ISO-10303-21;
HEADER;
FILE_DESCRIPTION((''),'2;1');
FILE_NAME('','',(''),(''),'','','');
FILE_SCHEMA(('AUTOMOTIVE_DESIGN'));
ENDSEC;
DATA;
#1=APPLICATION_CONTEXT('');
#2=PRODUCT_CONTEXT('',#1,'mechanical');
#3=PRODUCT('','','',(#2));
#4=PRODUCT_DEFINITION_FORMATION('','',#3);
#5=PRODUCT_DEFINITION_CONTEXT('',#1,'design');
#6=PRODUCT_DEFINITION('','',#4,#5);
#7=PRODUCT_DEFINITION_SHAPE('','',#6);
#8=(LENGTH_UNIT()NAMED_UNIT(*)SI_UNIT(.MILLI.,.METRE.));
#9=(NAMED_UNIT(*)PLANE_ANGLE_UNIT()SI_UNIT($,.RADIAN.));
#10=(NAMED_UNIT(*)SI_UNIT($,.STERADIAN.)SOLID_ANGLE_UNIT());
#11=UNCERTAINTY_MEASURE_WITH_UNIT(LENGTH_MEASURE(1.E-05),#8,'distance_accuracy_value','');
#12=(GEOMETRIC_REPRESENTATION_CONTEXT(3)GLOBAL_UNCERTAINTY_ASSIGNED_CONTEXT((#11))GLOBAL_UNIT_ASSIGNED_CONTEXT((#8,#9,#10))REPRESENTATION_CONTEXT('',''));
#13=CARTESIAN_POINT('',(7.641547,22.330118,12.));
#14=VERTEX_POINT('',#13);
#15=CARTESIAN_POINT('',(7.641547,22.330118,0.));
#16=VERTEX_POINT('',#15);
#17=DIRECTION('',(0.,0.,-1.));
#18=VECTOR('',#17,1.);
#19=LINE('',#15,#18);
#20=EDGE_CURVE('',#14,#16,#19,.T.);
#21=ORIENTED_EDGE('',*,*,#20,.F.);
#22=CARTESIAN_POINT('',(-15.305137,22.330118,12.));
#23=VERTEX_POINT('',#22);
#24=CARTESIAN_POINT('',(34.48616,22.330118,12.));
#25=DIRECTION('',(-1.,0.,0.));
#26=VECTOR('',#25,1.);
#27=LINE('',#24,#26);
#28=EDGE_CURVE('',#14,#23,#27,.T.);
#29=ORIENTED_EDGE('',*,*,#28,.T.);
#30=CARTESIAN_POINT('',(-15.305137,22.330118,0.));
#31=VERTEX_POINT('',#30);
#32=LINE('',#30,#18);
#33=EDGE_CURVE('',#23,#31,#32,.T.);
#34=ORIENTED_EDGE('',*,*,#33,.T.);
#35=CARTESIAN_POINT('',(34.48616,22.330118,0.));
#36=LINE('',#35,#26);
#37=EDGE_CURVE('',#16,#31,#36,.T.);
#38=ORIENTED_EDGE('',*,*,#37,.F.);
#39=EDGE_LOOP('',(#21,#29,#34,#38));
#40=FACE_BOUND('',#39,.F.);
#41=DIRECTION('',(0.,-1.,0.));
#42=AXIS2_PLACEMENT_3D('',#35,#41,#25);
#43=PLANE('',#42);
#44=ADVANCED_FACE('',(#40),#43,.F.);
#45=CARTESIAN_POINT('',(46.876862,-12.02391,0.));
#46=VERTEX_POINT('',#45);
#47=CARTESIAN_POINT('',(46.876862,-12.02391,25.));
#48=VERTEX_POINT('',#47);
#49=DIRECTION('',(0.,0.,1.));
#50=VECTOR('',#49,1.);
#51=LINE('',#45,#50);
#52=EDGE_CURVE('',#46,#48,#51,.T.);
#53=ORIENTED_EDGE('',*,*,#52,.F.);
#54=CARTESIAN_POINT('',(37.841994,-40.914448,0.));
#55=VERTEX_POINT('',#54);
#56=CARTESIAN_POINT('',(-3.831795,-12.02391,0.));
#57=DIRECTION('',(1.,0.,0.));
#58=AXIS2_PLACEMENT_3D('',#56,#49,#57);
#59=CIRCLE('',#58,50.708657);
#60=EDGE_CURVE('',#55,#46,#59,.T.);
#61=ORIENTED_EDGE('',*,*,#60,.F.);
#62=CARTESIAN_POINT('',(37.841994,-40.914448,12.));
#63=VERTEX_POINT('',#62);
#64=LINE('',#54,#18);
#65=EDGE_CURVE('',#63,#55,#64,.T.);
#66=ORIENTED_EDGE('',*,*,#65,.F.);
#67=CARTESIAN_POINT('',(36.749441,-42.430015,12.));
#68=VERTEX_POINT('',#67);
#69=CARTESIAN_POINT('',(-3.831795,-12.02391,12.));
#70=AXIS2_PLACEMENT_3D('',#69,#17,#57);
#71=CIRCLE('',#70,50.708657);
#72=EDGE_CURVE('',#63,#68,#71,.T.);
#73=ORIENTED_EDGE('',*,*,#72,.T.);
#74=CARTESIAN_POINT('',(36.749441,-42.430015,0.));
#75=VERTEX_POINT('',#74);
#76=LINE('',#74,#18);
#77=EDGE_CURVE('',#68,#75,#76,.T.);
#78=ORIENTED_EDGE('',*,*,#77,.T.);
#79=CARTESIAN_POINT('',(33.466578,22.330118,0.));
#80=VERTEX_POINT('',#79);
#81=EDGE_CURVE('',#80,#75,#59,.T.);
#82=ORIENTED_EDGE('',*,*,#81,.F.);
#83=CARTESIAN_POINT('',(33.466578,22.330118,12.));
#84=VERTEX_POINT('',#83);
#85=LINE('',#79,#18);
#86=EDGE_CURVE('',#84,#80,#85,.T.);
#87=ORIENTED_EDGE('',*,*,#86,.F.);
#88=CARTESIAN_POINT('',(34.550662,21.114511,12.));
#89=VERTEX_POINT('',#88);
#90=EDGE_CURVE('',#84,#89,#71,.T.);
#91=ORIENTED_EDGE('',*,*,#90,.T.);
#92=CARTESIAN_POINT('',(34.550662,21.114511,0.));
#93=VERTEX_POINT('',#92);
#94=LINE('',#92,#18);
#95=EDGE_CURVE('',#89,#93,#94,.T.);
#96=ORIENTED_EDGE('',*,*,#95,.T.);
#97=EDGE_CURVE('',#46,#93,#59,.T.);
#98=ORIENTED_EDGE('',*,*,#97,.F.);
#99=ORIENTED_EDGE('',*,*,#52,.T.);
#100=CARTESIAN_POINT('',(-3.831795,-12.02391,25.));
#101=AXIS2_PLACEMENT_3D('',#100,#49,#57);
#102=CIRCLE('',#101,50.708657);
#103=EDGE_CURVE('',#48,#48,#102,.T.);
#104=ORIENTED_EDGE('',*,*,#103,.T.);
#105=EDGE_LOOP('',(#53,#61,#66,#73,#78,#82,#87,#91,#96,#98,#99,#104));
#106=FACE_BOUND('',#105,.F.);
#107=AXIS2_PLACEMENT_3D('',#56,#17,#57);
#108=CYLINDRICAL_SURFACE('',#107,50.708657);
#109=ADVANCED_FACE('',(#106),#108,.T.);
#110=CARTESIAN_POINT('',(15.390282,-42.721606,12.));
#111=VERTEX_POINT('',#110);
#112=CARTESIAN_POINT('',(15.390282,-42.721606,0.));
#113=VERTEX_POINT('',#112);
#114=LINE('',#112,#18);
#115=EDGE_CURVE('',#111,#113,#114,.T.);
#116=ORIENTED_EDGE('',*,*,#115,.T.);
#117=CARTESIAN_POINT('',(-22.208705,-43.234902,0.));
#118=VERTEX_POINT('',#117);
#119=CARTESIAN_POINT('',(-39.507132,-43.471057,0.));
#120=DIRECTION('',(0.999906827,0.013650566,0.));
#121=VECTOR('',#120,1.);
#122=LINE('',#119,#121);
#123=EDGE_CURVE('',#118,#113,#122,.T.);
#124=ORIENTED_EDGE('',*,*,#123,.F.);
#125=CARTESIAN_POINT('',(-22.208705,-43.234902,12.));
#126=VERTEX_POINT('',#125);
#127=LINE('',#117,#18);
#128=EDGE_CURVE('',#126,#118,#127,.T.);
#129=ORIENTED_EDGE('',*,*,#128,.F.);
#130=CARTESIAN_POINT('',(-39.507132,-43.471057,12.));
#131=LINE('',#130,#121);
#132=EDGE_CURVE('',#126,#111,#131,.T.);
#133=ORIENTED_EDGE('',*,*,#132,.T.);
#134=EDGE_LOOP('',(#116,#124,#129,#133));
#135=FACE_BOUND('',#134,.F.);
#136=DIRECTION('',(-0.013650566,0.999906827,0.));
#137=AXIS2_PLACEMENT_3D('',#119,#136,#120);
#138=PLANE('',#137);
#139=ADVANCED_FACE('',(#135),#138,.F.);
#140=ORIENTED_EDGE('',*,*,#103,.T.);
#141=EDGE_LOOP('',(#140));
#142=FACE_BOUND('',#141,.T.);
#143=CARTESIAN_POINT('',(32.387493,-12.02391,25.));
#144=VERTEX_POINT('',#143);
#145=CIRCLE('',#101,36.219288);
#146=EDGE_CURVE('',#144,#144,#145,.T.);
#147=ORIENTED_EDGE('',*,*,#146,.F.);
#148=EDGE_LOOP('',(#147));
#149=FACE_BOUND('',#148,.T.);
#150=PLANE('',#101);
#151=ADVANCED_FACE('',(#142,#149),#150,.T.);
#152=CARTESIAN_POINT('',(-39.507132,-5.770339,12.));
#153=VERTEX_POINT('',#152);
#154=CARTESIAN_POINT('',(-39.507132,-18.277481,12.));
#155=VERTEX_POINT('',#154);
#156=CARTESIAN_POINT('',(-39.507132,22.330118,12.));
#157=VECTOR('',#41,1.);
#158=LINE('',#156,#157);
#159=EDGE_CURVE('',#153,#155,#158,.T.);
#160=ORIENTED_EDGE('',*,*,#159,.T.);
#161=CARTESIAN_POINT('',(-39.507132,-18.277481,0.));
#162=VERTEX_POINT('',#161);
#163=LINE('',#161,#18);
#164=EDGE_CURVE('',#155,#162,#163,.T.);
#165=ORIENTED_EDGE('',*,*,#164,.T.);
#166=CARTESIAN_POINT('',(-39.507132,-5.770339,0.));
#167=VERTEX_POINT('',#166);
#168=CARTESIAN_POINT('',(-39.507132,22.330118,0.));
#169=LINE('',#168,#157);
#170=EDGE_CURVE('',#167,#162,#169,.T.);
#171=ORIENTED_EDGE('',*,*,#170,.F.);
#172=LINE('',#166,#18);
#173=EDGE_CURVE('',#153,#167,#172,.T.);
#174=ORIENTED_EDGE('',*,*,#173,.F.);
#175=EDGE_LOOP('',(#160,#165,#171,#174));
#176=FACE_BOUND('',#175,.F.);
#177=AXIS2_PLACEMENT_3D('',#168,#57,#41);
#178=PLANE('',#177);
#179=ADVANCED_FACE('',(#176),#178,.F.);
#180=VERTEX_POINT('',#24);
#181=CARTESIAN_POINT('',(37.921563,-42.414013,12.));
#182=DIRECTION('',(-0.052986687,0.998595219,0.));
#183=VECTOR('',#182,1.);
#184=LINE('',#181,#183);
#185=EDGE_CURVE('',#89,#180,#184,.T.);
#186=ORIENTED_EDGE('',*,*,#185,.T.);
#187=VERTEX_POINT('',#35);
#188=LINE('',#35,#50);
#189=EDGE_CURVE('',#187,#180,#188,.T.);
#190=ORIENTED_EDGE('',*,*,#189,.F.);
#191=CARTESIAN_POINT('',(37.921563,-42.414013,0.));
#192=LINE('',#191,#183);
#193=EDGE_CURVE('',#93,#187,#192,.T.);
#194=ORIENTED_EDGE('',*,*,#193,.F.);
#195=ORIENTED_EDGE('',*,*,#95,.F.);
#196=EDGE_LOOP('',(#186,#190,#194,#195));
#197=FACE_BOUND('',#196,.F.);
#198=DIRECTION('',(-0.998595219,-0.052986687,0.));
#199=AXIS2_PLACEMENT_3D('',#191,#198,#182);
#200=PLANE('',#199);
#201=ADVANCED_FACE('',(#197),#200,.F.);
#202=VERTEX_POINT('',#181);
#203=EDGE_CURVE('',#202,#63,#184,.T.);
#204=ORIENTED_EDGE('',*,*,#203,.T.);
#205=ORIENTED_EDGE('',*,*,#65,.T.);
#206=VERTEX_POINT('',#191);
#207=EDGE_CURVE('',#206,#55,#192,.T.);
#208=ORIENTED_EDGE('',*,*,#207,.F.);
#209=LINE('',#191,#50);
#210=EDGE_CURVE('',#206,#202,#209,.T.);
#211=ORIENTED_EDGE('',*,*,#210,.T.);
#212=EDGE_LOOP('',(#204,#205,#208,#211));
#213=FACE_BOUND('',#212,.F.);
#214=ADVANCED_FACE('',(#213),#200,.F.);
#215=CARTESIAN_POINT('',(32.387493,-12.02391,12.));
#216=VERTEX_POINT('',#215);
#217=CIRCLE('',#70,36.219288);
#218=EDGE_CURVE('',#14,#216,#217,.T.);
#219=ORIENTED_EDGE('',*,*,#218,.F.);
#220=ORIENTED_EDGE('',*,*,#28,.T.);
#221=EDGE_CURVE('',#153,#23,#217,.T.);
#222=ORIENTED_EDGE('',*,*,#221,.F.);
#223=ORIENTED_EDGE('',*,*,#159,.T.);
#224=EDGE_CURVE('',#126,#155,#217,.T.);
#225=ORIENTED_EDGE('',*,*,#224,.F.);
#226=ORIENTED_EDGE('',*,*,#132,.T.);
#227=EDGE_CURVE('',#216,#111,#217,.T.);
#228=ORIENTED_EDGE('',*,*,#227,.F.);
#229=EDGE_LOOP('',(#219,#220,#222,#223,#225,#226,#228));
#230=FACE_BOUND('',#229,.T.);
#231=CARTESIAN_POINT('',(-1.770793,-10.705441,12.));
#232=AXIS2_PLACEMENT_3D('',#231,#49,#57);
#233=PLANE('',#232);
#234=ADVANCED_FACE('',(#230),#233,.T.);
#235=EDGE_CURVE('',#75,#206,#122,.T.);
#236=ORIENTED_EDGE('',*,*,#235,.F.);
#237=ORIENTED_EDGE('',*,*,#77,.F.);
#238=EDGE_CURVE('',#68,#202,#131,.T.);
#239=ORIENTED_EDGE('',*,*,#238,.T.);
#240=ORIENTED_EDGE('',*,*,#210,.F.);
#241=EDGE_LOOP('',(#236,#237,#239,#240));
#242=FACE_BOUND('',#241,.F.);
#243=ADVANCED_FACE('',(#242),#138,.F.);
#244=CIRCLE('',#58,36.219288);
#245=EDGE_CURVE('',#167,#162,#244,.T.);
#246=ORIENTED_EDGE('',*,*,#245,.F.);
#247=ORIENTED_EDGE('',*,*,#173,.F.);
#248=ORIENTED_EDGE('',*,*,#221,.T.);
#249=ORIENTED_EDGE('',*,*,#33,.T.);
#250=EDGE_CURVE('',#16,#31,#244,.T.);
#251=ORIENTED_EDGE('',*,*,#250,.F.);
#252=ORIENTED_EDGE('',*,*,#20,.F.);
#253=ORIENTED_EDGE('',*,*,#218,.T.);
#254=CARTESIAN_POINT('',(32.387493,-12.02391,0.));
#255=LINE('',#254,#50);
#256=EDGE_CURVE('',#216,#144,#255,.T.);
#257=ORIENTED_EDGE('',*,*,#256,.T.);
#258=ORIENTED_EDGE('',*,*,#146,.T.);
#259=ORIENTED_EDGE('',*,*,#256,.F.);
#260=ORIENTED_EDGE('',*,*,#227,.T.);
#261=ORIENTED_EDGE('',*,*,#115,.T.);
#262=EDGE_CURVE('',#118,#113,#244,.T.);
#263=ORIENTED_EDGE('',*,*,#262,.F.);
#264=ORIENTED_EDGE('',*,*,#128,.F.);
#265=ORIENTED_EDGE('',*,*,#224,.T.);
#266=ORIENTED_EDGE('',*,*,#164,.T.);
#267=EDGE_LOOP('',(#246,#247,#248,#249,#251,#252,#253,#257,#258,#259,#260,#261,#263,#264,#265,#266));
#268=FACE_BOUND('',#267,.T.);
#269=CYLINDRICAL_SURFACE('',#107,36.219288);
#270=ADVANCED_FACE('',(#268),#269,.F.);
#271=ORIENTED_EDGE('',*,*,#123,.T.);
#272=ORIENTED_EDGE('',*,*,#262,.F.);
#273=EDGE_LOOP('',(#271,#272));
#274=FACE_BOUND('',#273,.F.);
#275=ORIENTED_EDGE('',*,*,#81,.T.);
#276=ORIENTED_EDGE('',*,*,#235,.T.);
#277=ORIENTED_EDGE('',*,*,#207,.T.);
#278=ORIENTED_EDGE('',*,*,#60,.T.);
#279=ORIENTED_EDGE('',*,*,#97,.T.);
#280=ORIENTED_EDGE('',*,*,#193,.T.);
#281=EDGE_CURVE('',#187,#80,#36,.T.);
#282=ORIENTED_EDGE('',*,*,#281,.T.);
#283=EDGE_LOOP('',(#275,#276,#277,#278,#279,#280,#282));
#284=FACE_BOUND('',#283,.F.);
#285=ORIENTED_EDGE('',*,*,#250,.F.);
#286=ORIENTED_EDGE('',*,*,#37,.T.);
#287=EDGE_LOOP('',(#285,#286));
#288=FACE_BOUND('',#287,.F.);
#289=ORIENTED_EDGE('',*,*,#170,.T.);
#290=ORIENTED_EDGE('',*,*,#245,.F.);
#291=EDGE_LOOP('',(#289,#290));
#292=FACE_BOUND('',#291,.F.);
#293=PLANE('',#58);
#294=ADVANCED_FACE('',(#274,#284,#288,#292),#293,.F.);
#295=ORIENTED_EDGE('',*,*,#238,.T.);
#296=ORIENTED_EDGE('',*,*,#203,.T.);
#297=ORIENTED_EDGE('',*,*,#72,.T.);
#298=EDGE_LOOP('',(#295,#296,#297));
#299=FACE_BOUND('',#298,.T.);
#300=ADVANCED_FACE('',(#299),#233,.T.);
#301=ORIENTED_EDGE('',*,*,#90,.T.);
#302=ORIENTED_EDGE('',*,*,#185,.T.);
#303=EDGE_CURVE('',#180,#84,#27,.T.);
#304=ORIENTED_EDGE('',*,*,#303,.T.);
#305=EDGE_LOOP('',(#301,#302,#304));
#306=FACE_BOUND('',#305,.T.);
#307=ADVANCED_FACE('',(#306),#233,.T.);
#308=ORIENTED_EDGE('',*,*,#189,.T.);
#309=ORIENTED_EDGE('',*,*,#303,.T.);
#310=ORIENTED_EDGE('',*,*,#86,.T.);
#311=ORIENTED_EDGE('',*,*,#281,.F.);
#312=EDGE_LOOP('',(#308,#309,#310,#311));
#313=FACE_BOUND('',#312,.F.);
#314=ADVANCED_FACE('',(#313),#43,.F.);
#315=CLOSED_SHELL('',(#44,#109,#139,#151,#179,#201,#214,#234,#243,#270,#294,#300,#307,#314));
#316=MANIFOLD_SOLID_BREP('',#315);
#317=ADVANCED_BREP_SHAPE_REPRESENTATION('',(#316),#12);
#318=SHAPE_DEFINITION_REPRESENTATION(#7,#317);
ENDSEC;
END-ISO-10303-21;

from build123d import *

# Parameters (mm, degrees)
F1_DEPTH = 12
F2_R     = 50.708657
F2_R_2   = 36.219288
F3_DEPTH = 25


with BuildPart() as f1:
    # F0 (on Top) → F1 (new body)
    with BuildSketch(Plane.XY):
        Polygon((34.48616, 22.330118), (-39.507132, 22.330118), (-39.507132, -43.471057), (37.921563, -42.414013), align=None)
    extrude(amount=F1_DEPTH)

    # F2 (on Top) → F3 (join)
    with BuildSketch(Plane.XY):
        with Locations((-3.831795, -12.02391)):
            Circle(F2_R)
        with Locations((-3.831795, -12.02391)):
            Circle(F2_R_2, mode=Mode.SUBTRACT)
    extrude(amount=F3_DEPTH)


solid = f1.part
